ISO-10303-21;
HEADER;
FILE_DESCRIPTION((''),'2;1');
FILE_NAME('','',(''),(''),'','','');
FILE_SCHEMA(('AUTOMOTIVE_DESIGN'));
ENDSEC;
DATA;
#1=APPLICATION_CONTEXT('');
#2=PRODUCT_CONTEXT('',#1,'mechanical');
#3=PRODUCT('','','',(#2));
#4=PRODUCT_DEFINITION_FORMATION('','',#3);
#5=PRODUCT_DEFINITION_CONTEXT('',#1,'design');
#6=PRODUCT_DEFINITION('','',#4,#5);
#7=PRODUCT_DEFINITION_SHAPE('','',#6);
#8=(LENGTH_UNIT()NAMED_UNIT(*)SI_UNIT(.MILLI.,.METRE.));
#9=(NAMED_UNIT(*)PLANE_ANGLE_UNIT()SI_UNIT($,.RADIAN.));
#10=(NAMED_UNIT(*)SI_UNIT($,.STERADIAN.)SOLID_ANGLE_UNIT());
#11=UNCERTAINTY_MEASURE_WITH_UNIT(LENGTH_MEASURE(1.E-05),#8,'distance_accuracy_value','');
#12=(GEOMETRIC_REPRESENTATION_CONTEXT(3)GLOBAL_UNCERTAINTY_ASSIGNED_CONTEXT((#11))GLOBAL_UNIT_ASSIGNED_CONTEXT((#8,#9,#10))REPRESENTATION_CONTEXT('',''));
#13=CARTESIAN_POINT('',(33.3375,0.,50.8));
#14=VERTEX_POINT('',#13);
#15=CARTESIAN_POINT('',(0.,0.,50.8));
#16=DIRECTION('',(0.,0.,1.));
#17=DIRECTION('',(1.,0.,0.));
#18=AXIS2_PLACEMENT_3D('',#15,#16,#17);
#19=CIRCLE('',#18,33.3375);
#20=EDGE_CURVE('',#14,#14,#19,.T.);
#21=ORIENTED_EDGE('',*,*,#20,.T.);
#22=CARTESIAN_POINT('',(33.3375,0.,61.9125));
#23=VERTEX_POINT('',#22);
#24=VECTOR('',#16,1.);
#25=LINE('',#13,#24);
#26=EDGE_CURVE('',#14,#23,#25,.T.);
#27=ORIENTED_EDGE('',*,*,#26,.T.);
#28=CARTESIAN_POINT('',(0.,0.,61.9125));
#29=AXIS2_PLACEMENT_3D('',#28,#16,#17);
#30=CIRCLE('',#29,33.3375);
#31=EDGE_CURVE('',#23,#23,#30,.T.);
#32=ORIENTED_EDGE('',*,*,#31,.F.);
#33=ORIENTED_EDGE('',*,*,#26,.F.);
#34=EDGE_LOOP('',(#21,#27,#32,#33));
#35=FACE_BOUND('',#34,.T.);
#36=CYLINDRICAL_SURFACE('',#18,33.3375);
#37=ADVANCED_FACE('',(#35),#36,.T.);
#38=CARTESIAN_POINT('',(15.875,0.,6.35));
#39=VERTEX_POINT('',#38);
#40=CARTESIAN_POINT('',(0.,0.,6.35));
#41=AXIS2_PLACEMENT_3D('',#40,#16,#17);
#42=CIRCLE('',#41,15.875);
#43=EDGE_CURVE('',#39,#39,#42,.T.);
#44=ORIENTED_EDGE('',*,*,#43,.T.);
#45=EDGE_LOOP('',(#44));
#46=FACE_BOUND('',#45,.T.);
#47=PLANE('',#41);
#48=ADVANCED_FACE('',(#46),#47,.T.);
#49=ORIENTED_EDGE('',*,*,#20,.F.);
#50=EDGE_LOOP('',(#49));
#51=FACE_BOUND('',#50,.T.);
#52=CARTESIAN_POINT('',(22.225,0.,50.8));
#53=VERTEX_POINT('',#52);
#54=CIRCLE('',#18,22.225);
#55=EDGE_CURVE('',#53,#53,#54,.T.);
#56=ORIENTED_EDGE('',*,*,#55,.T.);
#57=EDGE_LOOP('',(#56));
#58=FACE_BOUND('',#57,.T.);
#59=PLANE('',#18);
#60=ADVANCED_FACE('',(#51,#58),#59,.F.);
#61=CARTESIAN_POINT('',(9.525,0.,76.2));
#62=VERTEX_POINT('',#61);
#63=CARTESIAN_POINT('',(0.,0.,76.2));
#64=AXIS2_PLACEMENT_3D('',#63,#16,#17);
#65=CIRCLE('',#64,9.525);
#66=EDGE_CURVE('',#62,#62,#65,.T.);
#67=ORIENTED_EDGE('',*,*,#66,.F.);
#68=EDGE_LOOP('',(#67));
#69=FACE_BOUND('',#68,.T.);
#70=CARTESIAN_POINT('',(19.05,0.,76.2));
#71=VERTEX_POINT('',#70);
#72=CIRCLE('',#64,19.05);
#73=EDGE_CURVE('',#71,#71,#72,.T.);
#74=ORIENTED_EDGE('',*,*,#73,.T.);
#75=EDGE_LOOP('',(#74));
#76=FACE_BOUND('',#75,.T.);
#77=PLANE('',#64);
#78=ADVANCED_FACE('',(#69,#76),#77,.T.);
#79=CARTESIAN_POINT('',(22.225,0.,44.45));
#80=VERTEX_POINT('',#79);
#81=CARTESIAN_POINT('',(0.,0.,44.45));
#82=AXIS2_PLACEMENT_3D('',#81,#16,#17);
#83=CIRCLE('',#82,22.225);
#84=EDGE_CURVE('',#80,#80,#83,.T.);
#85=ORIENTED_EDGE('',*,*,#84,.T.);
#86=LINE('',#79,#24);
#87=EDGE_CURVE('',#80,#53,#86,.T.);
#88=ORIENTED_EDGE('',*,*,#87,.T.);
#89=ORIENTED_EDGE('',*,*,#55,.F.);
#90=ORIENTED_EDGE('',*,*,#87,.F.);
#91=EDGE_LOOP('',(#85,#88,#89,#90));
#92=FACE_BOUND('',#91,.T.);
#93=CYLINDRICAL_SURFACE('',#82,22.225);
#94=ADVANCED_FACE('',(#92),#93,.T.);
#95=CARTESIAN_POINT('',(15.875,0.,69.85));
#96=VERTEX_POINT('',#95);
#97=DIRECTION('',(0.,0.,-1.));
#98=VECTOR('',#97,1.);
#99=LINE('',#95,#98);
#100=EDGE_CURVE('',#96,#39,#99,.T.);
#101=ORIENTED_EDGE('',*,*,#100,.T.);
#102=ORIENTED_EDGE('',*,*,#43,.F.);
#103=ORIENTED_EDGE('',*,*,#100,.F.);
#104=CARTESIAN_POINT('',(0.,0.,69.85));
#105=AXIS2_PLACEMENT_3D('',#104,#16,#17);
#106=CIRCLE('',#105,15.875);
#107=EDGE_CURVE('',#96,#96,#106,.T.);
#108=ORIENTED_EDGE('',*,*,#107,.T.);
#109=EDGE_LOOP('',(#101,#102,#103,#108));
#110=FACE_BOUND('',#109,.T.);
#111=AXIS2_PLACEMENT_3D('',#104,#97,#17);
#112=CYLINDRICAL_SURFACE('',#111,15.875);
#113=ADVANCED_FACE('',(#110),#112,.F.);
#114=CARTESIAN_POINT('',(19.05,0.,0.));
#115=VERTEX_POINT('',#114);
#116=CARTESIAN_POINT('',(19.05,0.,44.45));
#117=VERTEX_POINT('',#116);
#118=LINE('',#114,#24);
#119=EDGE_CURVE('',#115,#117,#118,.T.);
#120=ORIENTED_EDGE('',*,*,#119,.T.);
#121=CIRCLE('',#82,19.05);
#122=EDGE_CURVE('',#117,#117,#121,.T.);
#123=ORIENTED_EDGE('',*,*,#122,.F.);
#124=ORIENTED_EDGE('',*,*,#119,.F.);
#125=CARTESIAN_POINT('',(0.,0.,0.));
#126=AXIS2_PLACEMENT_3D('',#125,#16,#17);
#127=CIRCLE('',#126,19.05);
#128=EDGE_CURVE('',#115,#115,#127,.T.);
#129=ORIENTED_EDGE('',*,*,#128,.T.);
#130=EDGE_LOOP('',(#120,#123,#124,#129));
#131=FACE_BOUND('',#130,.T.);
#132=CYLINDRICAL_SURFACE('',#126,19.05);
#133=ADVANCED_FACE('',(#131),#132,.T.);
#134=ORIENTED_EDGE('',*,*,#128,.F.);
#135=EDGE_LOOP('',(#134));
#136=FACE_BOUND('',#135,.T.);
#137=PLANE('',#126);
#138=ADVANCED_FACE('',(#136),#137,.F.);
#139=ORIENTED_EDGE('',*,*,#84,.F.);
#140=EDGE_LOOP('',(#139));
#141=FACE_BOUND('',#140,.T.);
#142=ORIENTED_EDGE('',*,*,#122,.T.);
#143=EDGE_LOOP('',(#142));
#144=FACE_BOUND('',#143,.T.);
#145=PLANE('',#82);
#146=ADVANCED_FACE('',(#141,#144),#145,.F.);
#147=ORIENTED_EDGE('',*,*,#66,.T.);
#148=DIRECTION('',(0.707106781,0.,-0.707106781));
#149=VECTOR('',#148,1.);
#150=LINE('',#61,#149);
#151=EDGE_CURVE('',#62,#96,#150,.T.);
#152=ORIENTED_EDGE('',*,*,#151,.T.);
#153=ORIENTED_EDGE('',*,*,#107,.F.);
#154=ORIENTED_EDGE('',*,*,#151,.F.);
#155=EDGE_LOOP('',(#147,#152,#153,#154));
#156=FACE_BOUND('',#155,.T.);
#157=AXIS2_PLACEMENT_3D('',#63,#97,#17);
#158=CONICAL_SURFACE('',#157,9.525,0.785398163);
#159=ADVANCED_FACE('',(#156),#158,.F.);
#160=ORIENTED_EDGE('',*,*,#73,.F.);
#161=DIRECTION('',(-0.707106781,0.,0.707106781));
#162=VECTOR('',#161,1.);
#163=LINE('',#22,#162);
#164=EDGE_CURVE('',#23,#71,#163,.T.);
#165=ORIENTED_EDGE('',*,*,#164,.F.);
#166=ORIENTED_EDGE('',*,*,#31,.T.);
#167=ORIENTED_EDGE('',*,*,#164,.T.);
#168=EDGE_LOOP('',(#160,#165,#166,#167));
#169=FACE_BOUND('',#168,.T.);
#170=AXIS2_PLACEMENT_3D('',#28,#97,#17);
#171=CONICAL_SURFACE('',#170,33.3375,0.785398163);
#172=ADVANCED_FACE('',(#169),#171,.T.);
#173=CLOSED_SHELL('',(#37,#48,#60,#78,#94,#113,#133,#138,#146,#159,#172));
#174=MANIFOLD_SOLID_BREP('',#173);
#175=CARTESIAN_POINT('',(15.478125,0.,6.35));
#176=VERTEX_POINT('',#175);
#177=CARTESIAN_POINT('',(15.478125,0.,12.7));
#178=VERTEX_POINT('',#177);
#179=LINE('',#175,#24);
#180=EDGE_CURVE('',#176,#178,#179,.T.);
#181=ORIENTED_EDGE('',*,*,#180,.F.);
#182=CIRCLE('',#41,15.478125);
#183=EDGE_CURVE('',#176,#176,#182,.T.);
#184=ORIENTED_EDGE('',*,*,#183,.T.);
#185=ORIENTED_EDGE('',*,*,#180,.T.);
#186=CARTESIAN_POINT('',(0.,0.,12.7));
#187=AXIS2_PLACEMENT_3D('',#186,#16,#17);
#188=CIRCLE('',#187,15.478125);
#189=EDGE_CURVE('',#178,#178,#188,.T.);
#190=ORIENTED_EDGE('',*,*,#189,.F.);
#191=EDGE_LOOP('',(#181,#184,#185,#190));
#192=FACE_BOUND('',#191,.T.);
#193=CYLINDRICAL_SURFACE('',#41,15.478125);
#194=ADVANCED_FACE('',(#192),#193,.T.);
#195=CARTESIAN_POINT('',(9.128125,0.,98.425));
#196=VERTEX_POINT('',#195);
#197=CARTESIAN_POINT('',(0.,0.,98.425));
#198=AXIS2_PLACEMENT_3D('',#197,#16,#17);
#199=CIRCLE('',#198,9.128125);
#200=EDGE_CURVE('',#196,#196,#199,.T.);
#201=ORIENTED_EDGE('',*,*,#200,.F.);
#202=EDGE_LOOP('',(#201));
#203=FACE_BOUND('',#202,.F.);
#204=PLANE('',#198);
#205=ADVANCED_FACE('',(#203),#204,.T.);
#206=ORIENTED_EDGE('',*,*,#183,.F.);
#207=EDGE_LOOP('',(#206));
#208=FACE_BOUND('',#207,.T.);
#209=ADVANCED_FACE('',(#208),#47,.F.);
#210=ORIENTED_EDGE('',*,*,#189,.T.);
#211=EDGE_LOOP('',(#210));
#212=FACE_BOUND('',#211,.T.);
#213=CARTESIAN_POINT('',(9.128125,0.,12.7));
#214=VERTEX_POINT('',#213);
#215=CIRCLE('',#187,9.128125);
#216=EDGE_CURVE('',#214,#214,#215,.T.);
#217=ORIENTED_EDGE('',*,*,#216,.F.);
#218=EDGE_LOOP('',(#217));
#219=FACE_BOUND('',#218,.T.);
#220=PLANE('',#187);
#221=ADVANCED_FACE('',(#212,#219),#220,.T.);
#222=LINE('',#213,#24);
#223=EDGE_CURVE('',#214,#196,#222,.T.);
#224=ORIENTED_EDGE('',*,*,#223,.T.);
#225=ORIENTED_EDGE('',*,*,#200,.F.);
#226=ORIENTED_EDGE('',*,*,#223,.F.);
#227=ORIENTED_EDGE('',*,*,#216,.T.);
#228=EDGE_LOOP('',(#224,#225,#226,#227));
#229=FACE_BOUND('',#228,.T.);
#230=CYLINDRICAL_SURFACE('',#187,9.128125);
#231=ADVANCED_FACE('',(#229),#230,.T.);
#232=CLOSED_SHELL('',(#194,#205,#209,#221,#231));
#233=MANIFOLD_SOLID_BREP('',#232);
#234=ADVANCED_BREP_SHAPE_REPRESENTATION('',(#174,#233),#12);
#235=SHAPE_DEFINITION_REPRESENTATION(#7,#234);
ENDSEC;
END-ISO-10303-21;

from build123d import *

# Parameters (mm, degrees)
F0_W = 9.128125
F0_H = 22.225


with BuildPart() as f1:
    # F0 (on Front) → F1 (revolve)
    with BuildSketch(Plane.XZ):
        Polygon((0, 6.35), (0, 0), (19.05, 0), (19.05, 44.45), (22.225, 44.45), (22.225, 50.8), (33.3375, 50.8), (33.3375, 61.9125), (19.05, 76.2), (9.525, 76.2), (15.875, 69.85), (15.875, 6.35), (15.478125, 6.35), align=None)
    revolve(axis=Axis((0, 0, 101.430259192), (0, 0, 1)))


with BuildPart() as f2:
    # F0 (on Front) → F2 (revolve)
    with BuildSketch(Plane.XZ):
        with Locations((4.5640625, 87.3125)):
            Rectangle(F0_W, F0_H)
        Polygon((0, 76.2), (0, 6.35), (15.478125, 6.35), (15.478125, 12.7), (9.128125, 12.7), (9.128125, 76.2), align=None)
    revolve(axis=Axis((0, 0, 101.430259192), (0, 0, 1)))


solid = Compound([f1.part, f2.part])
